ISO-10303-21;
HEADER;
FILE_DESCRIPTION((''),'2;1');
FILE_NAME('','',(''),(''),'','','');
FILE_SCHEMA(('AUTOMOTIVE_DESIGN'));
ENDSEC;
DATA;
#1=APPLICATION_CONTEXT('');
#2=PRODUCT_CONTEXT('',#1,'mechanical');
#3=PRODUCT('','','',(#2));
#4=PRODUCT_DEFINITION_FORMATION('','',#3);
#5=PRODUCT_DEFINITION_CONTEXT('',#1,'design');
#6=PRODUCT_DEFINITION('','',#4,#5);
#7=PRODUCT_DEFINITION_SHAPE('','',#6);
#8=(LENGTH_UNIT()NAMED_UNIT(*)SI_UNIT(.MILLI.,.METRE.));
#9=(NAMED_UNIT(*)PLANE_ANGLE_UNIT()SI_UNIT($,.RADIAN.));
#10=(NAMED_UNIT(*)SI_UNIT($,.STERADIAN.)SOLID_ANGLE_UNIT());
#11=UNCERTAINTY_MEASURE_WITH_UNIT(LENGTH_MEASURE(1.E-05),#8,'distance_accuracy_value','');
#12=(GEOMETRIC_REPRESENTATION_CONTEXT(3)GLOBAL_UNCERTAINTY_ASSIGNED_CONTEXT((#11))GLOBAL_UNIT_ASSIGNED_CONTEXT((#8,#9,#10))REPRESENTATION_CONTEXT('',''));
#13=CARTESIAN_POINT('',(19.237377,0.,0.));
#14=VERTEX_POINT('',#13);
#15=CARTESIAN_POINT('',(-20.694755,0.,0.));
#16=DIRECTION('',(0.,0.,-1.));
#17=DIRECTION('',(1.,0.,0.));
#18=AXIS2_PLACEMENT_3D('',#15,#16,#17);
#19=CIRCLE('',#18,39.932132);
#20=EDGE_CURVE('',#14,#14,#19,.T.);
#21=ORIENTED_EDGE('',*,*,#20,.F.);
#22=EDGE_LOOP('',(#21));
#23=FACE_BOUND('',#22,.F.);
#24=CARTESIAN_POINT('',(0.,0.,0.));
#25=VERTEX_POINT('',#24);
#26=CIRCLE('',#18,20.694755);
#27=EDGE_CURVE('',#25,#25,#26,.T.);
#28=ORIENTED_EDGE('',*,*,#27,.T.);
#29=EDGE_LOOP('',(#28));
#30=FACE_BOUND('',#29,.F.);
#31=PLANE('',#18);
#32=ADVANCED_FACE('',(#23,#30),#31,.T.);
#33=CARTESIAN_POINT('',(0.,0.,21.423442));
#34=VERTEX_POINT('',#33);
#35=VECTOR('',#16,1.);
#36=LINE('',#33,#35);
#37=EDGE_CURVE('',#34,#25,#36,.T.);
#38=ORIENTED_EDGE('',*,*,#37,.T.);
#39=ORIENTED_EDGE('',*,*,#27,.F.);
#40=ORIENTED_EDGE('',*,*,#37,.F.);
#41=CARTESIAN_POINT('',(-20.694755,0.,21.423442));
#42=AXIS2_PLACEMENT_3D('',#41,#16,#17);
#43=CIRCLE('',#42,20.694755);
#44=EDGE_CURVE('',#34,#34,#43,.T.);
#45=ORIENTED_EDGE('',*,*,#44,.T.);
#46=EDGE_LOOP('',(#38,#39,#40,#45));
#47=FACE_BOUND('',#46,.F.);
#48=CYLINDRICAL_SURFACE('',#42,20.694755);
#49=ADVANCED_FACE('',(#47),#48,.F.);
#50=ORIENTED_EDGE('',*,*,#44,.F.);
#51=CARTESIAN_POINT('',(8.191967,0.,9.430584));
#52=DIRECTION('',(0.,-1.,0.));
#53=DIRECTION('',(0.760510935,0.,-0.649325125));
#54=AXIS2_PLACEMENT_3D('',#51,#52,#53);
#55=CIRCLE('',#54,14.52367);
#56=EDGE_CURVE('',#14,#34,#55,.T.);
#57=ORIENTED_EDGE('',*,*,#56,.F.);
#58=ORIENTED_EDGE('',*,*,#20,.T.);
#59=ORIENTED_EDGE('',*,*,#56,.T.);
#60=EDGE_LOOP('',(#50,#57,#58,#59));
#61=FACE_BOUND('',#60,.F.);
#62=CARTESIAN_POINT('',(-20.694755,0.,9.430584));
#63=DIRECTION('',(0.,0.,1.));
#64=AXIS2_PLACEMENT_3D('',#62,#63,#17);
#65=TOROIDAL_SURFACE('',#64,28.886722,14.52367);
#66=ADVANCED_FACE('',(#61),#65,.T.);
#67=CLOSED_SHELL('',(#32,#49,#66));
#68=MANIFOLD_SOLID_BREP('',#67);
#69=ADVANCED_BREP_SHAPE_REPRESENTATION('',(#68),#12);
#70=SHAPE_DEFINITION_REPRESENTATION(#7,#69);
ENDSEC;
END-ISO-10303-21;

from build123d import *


with BuildPart() as f2:
    # F0 (on Front) → F2 (revolve)
    with BuildSketch(Plane.XZ):
        with BuildLine():
            ThreePointArc((19.237377, 0), (18.998285, 19.134216), (0, 21.423442))
            Line((0, 21.423442), (0, 0))
            Line((0, 0), (19.237377, 0))
        make_face()
    revolve(axis=Axis((-20.694755, 0, 3.060492), (0, 0, -1)))


solid = f2.part
